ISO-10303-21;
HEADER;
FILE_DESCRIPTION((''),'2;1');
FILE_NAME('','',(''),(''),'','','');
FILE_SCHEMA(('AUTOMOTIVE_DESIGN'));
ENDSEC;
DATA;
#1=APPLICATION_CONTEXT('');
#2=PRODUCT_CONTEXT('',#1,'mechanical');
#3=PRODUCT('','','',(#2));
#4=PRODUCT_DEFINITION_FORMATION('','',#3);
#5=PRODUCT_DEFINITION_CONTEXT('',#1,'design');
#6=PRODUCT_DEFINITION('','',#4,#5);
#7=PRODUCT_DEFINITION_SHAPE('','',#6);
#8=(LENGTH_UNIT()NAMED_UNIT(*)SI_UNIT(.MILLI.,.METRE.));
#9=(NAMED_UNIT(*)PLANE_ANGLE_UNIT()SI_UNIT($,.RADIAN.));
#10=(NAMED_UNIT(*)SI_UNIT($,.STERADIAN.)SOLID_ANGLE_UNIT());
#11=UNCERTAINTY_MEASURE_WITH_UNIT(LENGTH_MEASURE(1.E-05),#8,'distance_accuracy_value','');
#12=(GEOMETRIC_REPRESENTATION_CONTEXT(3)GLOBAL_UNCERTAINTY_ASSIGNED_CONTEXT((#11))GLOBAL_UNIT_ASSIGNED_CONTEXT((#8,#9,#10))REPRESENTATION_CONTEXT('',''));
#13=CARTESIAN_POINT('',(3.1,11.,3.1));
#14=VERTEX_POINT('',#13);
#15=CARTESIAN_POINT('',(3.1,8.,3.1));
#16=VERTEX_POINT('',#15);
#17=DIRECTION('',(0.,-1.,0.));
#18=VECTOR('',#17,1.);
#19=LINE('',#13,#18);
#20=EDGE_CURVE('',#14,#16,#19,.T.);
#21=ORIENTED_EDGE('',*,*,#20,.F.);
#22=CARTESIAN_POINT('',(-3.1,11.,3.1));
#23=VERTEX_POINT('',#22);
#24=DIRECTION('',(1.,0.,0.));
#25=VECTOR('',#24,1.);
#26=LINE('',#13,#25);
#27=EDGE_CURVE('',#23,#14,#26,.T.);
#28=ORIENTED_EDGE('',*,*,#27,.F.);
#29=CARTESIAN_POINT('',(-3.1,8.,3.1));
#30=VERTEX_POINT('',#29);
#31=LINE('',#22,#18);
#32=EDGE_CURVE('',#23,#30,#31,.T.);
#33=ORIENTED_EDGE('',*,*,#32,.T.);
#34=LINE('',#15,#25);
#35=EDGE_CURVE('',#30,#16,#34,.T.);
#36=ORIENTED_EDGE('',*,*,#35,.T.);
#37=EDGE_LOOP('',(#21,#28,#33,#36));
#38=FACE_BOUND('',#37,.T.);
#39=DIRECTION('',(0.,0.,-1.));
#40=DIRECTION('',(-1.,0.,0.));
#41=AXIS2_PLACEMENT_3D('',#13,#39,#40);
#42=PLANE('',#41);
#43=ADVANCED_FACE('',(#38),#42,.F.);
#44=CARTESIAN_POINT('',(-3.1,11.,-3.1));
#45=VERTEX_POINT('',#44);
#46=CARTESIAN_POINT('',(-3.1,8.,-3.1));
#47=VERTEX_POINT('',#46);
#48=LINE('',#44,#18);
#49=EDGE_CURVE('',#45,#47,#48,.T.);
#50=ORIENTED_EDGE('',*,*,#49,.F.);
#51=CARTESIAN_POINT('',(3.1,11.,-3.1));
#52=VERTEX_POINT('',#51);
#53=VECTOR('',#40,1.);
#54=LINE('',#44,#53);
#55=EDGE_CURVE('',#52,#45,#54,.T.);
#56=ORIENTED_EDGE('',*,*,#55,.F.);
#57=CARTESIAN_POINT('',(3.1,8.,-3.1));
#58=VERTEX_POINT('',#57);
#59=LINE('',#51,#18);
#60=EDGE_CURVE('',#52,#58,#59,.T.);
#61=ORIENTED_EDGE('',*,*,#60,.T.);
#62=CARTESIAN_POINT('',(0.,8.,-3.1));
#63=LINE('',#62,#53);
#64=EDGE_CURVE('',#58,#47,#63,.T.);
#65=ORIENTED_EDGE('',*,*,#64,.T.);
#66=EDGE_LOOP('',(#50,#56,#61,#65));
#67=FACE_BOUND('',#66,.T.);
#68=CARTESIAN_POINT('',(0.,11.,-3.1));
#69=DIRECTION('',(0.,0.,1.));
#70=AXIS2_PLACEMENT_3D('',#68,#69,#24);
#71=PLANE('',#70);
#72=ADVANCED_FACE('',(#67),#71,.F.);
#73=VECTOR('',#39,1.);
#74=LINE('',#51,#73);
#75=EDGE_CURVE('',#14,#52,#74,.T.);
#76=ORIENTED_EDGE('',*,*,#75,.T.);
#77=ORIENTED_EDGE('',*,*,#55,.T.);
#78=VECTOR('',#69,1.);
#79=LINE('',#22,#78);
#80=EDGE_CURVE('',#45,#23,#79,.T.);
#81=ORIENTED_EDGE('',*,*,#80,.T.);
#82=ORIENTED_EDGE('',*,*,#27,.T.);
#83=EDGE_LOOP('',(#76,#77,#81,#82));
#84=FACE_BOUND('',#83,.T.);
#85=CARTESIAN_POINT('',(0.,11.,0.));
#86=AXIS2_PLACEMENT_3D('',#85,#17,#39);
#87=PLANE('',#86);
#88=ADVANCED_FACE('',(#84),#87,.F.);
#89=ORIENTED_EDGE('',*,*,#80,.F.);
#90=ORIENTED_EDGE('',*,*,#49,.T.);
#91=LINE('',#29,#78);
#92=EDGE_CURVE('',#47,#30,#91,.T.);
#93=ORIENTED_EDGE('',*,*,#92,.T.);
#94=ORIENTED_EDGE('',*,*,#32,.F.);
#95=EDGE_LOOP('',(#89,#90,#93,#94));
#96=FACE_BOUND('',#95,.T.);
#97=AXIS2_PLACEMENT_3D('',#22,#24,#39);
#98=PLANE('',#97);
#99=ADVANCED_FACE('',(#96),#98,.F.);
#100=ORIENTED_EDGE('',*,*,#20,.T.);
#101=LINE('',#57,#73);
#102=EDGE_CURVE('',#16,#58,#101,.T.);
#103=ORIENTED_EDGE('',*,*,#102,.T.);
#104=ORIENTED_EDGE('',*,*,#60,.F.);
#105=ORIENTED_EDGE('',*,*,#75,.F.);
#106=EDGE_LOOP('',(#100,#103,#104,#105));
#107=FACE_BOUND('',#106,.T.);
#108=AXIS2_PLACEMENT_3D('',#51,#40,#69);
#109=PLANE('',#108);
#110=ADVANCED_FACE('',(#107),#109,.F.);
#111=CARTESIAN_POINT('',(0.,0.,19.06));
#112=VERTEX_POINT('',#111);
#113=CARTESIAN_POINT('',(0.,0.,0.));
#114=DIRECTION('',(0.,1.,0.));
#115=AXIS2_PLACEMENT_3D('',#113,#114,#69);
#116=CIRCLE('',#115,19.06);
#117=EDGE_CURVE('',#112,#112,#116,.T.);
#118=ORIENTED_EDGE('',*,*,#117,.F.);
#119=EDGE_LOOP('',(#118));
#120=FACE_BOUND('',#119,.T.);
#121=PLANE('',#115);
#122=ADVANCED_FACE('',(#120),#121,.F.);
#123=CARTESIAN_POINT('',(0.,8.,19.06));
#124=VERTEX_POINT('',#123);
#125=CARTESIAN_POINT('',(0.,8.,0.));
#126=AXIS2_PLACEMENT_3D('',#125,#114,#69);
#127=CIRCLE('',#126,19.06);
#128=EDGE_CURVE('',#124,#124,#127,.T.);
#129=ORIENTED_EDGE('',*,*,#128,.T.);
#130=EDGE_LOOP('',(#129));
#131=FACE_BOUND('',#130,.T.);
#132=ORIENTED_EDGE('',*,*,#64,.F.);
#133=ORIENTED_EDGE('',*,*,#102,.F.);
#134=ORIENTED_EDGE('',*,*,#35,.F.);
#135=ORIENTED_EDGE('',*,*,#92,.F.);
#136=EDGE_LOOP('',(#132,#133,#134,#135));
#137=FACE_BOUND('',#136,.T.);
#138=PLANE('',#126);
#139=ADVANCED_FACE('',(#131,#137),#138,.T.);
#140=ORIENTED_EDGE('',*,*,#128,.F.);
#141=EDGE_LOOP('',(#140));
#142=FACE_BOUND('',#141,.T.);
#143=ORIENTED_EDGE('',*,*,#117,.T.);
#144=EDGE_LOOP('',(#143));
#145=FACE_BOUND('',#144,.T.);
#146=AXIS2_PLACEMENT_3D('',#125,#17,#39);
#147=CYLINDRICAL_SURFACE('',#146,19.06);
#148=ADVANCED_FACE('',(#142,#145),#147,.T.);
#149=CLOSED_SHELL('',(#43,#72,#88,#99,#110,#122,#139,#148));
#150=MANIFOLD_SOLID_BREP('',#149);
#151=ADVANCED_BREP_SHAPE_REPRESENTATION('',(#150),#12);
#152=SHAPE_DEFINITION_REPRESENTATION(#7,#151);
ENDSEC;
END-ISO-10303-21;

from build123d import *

# Parameters (mm, degrees)
ESQUISSE1_R        = 19.06
BOSS_EXTRU_1_DEPTH = 8
BOSS_EXTRU_2_DEPTH = 3


with BuildPart() as part:
    # Esquisse1 → Boss.-Extru.1 (new body)
    with BuildSketch(Plane(origin=(0, 0, 0), x_dir=(1, 0, 0), z_dir=(0, 1, 0))):
        with Locations(Location((0, 0, 0), (0, 0, 270))):
            Circle(ESQUISSE1_R)
    extrude(amount=BOSS_EXTRU_1_DEPTH)

    # Esquisse2 → Boss.-Extru.2 (add)
    with BuildSketch(Plane(origin=(0, 8, 0), x_dir=(1, 0, 0), z_dir=(0, 1, 0))):
        Polygon((0, 3.1), (3.1, 3.1), (3.1, -3.1), (-3.1, -3.1), (-3.1, 3.1), align=None)
    extrude(amount=BOSS_EXTRU_2_DEPTH)


solid = part.part
